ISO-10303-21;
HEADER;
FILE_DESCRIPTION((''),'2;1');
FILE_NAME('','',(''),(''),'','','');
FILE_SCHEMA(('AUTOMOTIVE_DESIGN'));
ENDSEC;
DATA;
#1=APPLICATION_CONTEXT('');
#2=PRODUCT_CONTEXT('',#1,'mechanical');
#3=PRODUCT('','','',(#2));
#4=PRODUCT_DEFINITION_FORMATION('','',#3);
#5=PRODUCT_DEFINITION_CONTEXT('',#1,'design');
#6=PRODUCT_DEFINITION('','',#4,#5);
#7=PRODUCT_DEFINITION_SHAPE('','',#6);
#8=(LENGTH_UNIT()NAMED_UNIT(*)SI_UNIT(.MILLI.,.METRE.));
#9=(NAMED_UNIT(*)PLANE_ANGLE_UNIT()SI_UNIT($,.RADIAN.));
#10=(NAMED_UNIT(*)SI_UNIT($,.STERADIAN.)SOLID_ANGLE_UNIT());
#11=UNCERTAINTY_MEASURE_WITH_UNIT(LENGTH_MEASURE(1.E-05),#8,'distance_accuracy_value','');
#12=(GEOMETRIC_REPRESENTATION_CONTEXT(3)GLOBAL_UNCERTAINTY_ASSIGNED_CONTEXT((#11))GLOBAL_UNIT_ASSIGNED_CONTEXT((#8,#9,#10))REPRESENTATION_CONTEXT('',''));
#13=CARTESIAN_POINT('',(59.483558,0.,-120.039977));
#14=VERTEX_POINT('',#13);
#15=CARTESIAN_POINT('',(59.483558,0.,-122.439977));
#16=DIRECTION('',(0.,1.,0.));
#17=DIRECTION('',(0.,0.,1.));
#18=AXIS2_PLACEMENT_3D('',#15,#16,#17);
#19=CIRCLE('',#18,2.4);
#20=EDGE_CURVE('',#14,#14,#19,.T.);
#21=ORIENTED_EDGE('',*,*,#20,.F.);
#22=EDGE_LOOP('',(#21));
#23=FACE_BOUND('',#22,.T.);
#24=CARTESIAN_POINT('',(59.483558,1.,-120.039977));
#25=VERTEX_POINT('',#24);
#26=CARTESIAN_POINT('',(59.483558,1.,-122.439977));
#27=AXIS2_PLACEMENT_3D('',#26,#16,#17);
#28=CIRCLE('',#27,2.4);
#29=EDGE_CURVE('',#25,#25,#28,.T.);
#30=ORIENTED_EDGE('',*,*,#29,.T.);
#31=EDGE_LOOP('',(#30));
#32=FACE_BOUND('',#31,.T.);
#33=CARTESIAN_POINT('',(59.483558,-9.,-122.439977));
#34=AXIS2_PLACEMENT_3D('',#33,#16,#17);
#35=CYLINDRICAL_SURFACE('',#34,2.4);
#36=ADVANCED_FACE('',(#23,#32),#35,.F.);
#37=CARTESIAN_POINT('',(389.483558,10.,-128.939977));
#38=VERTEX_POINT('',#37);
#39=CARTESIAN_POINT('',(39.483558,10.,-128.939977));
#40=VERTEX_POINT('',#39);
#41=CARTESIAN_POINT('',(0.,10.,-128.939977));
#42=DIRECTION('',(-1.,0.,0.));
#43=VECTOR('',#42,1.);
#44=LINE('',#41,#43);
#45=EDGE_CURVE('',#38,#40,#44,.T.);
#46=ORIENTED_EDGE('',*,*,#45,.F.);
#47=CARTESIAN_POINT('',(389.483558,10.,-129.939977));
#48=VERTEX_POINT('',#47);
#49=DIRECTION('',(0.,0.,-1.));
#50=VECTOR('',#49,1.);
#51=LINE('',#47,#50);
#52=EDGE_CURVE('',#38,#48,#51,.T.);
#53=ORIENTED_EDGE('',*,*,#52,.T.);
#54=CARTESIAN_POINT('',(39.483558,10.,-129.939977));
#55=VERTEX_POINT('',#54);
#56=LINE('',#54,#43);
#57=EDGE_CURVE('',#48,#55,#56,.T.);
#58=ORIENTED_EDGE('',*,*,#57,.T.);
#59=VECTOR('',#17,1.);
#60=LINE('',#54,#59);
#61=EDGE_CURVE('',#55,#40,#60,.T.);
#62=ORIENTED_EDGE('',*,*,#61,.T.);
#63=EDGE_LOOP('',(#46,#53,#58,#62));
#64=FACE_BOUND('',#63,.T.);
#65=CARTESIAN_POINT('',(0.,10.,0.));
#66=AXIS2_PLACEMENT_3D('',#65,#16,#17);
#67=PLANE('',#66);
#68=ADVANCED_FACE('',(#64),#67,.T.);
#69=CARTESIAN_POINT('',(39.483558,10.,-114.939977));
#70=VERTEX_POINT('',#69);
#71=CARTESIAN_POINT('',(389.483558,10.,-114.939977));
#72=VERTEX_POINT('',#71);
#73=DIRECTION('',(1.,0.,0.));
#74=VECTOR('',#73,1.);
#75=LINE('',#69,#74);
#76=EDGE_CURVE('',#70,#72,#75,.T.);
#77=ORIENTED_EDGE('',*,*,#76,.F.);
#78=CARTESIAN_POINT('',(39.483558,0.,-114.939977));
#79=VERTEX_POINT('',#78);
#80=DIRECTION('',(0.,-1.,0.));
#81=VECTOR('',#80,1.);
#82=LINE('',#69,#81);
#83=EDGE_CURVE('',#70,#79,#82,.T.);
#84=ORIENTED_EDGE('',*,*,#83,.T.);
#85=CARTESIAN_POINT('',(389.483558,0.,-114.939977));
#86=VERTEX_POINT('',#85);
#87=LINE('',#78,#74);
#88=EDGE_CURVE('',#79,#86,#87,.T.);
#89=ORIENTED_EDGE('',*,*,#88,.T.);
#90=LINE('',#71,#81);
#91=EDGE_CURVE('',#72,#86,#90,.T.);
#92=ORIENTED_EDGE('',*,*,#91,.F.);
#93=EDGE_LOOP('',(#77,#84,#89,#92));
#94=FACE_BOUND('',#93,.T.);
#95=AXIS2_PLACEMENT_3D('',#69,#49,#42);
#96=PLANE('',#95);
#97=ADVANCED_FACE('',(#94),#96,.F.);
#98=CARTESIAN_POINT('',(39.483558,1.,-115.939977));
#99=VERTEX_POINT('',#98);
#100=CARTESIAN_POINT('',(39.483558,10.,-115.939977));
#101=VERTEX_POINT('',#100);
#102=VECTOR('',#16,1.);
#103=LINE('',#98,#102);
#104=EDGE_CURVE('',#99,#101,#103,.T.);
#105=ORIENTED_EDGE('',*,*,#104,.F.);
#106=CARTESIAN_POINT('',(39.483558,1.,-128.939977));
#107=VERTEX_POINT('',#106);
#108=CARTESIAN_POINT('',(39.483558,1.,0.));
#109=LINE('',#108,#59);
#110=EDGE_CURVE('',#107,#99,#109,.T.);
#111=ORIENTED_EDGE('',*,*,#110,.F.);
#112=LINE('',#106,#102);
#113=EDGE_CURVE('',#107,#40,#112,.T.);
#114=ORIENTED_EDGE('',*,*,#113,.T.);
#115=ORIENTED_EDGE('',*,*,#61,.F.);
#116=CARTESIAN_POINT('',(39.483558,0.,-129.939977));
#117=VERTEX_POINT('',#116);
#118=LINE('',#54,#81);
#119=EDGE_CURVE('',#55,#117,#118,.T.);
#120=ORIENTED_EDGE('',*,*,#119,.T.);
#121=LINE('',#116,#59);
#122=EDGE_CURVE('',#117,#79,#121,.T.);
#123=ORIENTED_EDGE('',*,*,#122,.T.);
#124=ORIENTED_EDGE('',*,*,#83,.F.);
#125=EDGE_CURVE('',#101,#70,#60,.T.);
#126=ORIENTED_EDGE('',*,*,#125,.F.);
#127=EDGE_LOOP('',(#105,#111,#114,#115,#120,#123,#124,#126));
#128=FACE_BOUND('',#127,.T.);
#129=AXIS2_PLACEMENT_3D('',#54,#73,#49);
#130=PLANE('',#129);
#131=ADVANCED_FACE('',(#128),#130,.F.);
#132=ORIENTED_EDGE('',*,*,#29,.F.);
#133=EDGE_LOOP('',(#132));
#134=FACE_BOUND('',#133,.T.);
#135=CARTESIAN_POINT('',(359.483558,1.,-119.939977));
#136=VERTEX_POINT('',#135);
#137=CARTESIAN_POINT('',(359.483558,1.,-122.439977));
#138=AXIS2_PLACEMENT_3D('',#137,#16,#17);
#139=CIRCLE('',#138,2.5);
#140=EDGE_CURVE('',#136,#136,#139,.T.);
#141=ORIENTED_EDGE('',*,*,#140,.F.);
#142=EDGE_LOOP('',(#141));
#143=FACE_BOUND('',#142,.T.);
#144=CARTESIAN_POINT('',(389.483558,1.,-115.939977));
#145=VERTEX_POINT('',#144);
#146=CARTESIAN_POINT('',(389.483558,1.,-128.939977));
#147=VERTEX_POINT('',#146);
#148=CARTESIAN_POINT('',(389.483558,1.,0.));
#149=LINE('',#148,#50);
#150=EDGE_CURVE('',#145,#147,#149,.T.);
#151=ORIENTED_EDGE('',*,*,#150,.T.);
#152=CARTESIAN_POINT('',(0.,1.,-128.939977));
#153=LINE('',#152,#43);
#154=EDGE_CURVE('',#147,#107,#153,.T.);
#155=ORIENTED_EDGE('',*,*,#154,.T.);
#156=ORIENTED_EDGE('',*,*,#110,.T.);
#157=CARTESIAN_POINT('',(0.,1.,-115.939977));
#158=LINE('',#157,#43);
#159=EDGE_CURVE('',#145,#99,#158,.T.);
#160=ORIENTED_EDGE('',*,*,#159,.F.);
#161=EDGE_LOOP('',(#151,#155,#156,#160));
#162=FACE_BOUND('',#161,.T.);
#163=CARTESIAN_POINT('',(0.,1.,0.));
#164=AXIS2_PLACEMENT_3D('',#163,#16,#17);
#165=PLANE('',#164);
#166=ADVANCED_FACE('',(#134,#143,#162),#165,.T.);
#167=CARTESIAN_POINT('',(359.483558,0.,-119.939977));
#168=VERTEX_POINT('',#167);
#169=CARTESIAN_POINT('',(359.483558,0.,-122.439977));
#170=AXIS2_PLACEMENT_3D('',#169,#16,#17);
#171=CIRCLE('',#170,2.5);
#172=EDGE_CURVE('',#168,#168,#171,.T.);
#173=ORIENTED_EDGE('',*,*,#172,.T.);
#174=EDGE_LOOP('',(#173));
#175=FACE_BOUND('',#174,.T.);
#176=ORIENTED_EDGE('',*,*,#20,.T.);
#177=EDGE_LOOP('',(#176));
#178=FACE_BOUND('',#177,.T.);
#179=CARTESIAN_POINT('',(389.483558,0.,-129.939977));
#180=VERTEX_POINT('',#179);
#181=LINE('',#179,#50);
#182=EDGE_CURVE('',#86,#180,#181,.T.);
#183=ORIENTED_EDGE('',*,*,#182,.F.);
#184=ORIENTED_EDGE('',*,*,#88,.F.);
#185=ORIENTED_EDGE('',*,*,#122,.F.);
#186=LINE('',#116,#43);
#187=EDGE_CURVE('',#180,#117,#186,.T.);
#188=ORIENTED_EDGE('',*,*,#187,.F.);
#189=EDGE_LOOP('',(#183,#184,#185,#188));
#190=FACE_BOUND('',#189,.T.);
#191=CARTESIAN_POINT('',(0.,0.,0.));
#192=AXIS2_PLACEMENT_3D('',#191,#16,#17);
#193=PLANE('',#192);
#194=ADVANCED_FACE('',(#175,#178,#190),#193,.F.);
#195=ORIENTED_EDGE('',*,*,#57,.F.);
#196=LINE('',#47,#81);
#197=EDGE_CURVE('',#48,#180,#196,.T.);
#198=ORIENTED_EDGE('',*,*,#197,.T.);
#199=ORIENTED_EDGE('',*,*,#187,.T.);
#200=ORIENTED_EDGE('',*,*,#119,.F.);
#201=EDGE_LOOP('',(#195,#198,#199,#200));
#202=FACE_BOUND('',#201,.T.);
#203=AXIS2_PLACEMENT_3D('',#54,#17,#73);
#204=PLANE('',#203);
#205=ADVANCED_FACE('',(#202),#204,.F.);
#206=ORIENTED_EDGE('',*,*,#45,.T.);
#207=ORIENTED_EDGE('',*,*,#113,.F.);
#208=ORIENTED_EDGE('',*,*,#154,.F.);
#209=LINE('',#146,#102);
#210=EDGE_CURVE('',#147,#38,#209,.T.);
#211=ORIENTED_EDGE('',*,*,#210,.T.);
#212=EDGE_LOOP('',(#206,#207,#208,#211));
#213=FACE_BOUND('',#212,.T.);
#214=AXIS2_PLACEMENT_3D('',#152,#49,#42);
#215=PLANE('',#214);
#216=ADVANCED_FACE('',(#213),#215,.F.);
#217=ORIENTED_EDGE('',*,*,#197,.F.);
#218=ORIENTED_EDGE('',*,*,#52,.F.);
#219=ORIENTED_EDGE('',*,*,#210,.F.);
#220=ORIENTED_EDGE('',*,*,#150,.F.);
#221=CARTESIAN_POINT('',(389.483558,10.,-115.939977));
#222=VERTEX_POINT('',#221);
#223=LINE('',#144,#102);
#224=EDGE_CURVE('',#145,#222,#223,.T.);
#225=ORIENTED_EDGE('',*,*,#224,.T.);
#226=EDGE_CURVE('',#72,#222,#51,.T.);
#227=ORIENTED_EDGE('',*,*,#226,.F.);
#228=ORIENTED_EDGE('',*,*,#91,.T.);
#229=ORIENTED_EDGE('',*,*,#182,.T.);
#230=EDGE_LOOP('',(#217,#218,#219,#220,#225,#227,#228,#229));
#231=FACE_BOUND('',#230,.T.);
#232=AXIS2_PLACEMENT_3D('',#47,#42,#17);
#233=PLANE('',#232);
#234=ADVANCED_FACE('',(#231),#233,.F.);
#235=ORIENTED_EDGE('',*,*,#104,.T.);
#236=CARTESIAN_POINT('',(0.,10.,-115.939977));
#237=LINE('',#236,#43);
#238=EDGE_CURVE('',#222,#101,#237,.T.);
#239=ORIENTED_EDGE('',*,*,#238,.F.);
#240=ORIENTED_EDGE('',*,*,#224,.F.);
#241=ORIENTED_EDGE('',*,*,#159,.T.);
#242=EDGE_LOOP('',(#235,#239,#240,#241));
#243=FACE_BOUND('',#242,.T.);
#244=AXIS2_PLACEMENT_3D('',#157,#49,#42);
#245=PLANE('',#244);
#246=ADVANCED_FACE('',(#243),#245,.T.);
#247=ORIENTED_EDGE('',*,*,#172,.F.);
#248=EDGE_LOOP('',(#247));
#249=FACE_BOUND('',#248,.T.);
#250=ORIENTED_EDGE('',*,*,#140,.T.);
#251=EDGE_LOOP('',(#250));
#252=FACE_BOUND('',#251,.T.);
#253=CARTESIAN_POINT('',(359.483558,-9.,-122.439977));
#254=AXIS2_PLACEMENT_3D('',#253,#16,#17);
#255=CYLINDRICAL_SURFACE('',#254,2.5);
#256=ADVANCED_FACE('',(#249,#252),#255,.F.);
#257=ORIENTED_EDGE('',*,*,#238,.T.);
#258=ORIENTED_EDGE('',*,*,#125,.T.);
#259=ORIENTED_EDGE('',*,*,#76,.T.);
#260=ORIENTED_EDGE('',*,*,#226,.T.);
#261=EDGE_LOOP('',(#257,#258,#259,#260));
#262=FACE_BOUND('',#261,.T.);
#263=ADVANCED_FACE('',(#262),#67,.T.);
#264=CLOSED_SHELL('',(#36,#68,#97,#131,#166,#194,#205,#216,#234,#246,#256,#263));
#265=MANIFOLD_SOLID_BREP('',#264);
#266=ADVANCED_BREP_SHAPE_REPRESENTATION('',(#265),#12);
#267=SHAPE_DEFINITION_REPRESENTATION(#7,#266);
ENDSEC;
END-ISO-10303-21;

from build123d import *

# Parameters (mm, degrees)
SKETCH2_W           = 350
SKETCH2_H           = 15
BOSS_EXTRUDE1_DEPTH = 10
SKETCH3_W           = 350
SKETCH3_H           = 13
CUT_EXTRUDE1_DEPTH  = 9
SKETCH4_R           = 2.4
SKETCH4_R_2         = 2.5
CUT_EXTRUDE3_DEPTH  = 10


with BuildPart() as part:
    # Sketch2 → Boss-Extrude1 (new body)
    with BuildSketch(Plane(origin=(0, 0, 0), x_dir=(1, 0, 0), z_dir=(0, 1, 0))):
        with Locations((214.483557787, 122.439976597)):
            Rectangle(SKETCH2_W, SKETCH2_H)
    extrude(amount=BOSS_EXTRUDE1_DEPTH)

    # Sketch3 → Cut-Extrude1 (cut)
    with BuildSketch(Plane(origin=(0, 10, 0), x_dir=(1, 0, 0), z_dir=(0, 1, 0))):
        with Locations((214.483557787, 122.439976597)):
            Rectangle(SKETCH3_W, SKETCH3_H)
    extrude(amount=-CUT_EXTRUDE1_DEPTH, mode=Mode.SUBTRACT)

    # Sketch4 → Cut-Extrude3 (cut)
    with BuildSketch(Plane(origin=(0, 1, 0), x_dir=(1, 0, 0), z_dir=(0, 1, 0))):
        with Locations((59.483557787, 122.439976597)):
            Circle(SKETCH4_R)
        with Locations((359.483557787, 122.439976597)):
            Circle(SKETCH4_R_2)
    extrude(amount=-CUT_EXTRUDE3_DEPTH, mode=Mode.SUBTRACT)


solid = part.part
